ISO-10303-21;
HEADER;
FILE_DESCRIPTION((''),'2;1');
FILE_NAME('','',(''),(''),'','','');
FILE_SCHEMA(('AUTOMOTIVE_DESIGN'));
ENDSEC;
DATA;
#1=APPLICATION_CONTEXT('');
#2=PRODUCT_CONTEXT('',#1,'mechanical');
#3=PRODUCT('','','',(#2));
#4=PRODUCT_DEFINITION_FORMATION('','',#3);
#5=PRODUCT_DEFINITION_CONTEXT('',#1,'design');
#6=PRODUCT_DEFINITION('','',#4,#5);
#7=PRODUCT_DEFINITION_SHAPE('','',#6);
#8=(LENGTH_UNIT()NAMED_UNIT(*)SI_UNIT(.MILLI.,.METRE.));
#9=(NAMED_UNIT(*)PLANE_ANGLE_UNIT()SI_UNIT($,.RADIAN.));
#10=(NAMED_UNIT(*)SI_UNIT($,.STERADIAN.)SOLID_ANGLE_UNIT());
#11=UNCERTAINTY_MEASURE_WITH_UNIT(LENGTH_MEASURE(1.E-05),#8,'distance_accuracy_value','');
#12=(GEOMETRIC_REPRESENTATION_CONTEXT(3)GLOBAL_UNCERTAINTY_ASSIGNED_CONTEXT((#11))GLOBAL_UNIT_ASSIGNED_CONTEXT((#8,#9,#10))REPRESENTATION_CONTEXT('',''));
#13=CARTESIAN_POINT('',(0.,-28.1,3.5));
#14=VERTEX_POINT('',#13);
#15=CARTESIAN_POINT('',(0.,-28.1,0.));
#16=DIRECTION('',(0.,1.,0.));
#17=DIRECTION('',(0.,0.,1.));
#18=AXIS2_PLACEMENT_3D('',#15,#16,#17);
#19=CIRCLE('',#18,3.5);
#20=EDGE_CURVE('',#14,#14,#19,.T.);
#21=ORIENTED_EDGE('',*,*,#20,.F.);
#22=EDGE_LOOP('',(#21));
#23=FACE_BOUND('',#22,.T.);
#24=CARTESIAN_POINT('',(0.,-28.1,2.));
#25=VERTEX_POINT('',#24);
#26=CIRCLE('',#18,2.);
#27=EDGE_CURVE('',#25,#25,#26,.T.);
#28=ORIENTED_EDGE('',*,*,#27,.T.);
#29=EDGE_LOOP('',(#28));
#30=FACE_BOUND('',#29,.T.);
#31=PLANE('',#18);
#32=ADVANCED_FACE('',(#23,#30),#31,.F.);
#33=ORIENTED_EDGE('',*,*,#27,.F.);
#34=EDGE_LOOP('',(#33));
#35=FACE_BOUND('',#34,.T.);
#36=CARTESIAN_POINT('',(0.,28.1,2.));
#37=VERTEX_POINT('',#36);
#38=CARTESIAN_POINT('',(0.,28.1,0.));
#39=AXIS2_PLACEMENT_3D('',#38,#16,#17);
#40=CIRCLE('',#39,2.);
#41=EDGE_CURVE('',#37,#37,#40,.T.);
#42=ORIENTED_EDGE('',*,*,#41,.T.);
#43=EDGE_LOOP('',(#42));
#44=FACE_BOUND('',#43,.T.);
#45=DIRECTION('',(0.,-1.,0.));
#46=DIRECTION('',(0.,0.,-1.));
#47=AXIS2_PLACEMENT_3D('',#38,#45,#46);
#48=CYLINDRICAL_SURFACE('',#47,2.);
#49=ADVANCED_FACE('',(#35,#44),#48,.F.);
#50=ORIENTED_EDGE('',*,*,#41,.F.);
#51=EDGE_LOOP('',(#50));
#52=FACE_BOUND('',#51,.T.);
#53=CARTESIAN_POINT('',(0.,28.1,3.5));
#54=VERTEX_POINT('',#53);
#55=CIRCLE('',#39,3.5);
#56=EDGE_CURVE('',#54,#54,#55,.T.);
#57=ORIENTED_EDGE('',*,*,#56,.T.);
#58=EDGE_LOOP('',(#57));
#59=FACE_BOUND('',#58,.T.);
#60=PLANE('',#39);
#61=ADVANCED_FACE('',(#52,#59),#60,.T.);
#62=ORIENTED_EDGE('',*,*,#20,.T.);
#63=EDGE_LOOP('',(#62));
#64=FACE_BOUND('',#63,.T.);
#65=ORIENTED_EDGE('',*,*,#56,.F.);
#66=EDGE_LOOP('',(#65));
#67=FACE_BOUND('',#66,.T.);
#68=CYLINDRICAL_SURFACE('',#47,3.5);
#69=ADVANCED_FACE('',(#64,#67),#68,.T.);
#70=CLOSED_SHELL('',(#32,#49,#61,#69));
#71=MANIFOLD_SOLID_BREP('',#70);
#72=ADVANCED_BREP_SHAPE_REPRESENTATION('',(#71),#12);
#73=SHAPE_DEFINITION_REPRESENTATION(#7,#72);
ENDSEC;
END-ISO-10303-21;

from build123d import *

# Parameters (mm, degrees)
SKETCH_1_R      = 3.5
SKETCH_1_R_2    = 2
EXTRUDE_1_DEPTH = 28.1


with BuildPart() as part:
    # 草图1 → 凸台-拉伸1 (new, symmetric)
    with BuildSketch(Plane(origin=(0, 0, 0), x_dir=(1, 0, 0), z_dir=(0, 1, 0))):
        with Locations(Location((0, 0, 0), (0, 0, 270))):
            Circle(SKETCH_1_R)
        with Locations(Location((0, 0, 0), (0, 0, 270))):
            Circle(SKETCH_1_R_2, mode=Mode.SUBTRACT)
    extrude(amount=EXTRUDE_1_DEPTH, both=True)


solid = part.part
